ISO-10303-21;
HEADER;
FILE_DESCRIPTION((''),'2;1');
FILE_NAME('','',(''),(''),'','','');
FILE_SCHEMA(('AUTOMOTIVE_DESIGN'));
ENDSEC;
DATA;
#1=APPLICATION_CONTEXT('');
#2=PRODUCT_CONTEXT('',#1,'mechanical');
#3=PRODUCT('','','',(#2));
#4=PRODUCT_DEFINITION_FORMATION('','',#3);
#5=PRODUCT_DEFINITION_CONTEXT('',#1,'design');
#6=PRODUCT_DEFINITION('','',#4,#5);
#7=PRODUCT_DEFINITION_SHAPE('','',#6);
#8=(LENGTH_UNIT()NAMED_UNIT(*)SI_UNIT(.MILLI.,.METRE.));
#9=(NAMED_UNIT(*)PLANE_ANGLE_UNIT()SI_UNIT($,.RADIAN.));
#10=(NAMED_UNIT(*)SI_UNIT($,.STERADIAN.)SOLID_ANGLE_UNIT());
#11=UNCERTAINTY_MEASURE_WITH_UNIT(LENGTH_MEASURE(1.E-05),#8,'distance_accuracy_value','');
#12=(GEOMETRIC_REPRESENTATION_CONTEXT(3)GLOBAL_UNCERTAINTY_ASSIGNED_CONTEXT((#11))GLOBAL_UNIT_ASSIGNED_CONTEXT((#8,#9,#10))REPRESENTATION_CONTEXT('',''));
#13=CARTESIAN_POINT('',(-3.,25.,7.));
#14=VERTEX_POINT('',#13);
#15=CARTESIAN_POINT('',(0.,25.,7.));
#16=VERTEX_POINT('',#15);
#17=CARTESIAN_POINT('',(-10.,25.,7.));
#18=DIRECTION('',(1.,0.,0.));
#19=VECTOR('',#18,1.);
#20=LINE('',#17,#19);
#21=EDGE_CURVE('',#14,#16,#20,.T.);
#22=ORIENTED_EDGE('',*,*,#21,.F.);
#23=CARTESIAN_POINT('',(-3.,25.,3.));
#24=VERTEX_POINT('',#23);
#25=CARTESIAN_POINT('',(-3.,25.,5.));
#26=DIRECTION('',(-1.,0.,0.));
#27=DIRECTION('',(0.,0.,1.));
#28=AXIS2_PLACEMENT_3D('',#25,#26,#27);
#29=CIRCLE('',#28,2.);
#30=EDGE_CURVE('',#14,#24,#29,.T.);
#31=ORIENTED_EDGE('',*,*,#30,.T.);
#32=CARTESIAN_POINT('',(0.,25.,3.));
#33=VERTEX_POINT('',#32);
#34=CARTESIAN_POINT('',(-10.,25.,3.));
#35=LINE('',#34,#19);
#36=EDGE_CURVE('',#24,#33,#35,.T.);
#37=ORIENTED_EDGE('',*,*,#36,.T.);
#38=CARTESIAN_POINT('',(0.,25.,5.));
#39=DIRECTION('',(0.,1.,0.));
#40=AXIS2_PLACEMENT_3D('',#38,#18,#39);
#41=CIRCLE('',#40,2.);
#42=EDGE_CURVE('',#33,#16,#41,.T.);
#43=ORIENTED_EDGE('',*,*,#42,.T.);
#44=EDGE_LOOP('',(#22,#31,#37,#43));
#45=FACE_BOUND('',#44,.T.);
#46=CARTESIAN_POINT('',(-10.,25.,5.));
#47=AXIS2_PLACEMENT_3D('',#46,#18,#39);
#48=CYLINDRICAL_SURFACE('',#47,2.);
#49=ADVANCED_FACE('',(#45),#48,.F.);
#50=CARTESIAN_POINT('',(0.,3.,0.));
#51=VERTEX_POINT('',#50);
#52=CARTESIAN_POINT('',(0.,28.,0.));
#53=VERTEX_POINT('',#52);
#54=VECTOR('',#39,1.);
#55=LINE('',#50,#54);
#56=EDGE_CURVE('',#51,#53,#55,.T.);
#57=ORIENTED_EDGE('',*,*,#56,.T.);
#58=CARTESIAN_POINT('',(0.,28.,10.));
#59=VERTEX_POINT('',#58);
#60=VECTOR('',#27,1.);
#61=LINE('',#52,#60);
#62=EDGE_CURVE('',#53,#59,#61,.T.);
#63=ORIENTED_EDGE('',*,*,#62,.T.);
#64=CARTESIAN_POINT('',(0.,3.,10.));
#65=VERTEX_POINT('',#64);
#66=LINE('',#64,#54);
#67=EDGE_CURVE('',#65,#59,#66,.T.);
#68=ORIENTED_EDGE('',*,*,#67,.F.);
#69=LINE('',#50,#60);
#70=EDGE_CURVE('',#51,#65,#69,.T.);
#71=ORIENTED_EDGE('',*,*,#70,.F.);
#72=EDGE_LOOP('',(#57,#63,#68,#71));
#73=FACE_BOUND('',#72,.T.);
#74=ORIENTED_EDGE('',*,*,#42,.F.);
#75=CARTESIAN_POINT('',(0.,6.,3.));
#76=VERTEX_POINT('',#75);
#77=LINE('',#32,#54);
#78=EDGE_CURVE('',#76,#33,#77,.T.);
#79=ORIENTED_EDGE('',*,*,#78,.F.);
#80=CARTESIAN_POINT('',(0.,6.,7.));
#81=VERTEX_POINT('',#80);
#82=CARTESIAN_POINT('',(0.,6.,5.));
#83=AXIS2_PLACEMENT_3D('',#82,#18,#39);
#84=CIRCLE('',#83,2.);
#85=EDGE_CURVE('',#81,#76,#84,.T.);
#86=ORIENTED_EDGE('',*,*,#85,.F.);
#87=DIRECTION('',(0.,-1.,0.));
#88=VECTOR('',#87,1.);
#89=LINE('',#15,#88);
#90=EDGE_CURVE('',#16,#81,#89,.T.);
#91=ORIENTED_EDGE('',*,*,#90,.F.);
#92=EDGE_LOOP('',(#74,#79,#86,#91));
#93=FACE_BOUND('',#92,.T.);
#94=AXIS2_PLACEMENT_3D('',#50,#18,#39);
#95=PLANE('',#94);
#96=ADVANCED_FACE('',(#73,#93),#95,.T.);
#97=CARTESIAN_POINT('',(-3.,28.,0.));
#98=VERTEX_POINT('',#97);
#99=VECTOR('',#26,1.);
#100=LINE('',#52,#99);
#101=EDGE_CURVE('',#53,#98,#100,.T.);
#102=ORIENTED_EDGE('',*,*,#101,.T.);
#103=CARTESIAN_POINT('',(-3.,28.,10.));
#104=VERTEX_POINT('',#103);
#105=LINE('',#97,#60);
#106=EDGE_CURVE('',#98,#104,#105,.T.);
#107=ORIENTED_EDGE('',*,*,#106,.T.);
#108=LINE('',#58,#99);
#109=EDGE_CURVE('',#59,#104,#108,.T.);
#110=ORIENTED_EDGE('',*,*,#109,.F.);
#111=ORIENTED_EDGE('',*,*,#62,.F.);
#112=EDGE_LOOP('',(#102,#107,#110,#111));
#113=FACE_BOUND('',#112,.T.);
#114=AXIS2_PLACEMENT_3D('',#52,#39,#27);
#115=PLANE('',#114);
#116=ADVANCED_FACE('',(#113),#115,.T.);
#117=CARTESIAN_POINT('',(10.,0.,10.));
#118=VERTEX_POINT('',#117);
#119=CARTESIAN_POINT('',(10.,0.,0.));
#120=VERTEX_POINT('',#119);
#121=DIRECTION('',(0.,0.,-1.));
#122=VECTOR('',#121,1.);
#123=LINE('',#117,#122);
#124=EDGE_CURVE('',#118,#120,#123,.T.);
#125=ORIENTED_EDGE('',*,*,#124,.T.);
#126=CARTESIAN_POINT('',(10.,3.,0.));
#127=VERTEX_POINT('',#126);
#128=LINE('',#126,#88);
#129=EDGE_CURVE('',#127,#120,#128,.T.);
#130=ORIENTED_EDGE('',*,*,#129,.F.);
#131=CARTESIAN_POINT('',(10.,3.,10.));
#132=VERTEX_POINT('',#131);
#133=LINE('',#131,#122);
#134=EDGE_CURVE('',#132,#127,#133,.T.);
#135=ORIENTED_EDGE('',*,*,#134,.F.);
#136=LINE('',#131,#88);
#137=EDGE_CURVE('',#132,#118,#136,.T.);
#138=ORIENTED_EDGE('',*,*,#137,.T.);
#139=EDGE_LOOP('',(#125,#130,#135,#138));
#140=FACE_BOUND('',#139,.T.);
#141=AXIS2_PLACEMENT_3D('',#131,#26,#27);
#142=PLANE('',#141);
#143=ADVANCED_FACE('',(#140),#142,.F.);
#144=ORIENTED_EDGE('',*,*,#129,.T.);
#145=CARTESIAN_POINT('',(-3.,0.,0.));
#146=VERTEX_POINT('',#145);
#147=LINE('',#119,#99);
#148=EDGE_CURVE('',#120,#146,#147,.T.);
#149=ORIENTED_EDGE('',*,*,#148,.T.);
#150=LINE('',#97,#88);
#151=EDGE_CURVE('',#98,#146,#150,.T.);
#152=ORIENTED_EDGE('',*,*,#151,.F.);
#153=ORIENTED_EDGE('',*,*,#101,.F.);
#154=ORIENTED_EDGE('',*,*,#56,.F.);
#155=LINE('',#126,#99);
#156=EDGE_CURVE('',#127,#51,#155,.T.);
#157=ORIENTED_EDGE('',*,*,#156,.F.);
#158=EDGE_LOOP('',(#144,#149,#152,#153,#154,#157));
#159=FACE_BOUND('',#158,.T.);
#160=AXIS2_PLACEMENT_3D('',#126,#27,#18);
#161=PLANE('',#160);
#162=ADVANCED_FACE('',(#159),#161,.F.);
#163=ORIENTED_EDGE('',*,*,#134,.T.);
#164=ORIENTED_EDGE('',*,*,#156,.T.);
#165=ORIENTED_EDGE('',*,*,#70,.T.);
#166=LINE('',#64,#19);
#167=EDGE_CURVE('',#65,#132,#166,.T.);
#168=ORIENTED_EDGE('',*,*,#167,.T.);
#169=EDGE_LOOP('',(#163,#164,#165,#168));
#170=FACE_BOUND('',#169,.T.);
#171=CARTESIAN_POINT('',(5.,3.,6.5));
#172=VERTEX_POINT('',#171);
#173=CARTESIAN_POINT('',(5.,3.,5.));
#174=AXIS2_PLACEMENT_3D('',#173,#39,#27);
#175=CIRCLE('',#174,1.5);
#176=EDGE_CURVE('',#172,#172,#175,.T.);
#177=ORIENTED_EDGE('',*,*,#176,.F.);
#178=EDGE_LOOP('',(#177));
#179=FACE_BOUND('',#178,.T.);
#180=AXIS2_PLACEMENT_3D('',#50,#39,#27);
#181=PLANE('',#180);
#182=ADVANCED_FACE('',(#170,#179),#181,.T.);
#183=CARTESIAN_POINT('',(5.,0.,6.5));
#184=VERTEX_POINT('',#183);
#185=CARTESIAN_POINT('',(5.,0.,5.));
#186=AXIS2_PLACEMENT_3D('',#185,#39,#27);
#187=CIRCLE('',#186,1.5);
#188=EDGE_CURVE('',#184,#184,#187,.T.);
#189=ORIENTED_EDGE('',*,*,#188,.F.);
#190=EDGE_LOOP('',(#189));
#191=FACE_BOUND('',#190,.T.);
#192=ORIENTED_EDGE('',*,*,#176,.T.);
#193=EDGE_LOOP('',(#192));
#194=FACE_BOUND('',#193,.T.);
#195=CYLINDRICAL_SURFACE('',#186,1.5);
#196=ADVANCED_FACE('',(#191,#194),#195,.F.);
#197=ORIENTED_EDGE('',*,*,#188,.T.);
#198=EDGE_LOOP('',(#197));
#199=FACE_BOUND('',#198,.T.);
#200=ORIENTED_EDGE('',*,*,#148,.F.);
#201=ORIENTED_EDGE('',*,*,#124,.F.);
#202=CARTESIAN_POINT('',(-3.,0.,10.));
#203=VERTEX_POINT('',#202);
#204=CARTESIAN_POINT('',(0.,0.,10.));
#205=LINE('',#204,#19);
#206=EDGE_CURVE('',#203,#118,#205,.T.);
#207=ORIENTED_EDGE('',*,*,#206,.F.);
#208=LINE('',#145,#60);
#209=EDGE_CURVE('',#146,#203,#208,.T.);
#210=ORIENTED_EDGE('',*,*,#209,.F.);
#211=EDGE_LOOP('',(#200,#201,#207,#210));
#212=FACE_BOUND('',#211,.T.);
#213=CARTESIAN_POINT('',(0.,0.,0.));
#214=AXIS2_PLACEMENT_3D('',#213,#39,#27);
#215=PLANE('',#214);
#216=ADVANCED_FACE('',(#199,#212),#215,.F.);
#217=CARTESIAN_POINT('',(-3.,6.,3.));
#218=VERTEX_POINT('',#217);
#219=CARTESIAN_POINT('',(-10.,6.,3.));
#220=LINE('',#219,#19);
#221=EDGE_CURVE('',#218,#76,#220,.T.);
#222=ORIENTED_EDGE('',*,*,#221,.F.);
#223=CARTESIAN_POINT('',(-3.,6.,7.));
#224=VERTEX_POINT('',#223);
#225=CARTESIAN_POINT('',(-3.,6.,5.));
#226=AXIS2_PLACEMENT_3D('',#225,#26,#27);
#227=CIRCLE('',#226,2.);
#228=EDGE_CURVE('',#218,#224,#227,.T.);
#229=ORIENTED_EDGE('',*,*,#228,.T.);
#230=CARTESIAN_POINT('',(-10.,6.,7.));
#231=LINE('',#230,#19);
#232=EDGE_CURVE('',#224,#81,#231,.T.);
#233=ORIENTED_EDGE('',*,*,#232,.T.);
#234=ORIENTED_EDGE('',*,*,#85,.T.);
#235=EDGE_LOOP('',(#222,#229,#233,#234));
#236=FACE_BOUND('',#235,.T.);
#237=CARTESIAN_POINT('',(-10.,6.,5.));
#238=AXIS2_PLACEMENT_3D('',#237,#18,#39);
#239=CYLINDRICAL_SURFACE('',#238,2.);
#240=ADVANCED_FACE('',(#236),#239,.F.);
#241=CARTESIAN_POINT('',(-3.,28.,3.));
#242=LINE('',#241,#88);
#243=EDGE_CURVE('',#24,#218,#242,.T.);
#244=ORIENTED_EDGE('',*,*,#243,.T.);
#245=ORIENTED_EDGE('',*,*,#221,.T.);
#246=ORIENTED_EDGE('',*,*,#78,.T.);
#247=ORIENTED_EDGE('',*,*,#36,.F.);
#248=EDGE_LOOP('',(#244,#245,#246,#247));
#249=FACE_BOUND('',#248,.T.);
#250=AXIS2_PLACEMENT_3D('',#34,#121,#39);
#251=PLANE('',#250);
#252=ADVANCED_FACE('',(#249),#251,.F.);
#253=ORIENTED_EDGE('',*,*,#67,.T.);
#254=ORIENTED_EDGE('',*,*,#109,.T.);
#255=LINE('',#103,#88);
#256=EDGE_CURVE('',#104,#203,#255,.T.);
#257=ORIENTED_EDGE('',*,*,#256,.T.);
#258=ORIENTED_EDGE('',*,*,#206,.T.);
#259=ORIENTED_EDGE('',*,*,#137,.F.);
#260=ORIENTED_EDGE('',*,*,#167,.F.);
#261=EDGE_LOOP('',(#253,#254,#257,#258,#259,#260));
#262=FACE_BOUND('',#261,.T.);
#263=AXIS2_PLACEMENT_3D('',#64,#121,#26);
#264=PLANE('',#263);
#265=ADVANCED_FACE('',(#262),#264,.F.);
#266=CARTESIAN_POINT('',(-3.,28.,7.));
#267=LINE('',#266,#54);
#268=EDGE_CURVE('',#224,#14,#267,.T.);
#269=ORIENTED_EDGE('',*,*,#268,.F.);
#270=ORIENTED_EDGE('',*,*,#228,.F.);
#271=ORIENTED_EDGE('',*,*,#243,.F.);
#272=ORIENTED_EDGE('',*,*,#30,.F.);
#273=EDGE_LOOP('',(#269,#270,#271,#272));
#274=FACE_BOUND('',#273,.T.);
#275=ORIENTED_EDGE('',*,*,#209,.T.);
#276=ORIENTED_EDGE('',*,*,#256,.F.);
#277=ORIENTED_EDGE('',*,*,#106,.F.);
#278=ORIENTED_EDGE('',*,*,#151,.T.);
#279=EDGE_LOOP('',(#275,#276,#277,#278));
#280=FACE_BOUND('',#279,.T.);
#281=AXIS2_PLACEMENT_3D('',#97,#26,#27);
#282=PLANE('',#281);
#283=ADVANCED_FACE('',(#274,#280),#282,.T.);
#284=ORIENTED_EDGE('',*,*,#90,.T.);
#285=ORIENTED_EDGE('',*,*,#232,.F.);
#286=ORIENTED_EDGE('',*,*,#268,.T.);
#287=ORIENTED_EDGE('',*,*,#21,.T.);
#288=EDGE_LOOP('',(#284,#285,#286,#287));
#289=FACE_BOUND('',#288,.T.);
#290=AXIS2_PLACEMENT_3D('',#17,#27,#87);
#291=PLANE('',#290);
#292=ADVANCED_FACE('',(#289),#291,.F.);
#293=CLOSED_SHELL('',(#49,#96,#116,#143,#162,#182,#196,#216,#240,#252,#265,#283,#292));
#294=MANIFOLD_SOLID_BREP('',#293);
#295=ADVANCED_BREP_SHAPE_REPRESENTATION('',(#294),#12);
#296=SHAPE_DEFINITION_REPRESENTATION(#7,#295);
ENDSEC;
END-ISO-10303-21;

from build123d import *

# Parameters (mm, degrees)
SKETCH_2_W          = 10
SKETCH_2_H          = 10
EXTRUDE_2_DEPTH     = 3
SKETCH_3_R          = 1.5
CUT_EXTRUDE_1_DEPTH = 3
EXTRUDE_3_DEPTH     = 10
CUT_EXTRUDE_2_DEPTH = 10


with BuildPart() as part:
    # 草图2 → 凸台-拉伸2 (new body)
    with BuildSketch(Plane(origin=(0, 0, 0), x_dir=(1, 0, 0), z_dir=(0, 1, 0))):
        with Locations((5, -5)):
            Rectangle(SKETCH_2_W, SKETCH_2_H)
    extrude(amount=EXTRUDE_2_DEPTH)

    # 草图3 → 切除-拉伸1 (cut)
    with BuildSketch(Plane(origin=(0, 3, 0), x_dir=(1, 0, 0), z_dir=(0, 1, 0))):
        with Locations((5, -5)):
            Circle(SKETCH_3_R)
    extrude(amount=-CUT_EXTRUDE_1_DEPTH, mode=Mode.SUBTRACT)

    # 草图5 → 凸台-拉伸3 (add, through all)
    with BuildSketch(Plane.XY.offset(10)):
        Polygon((0, 3), (0, 28), (-3, 28), (-3, 0), (0, 0), align=None)
    extrude(amount=-EXTRUDE_3_DEPTH)

    # 草图6 → 切除-拉伸2 (cut)
    with BuildSketch(Plane(origin=(0, 0, 0), x_dir=(0, 0, -1), z_dir=(1, 0, 0))):
        with BuildLine():
            Line((-3, 25), (-3, 6))
            ThreePointArc((-3, 6), (-5, 4), (-7, 6))
            Line((-7, 6), (-7, 25))
            ThreePointArc((-7, 25), (-5, 27), (-3, 25))
        make_face()
    extrude(amount=-CUT_EXTRUDE_2_DEPTH, mode=Mode.SUBTRACT)


solid = part.part
